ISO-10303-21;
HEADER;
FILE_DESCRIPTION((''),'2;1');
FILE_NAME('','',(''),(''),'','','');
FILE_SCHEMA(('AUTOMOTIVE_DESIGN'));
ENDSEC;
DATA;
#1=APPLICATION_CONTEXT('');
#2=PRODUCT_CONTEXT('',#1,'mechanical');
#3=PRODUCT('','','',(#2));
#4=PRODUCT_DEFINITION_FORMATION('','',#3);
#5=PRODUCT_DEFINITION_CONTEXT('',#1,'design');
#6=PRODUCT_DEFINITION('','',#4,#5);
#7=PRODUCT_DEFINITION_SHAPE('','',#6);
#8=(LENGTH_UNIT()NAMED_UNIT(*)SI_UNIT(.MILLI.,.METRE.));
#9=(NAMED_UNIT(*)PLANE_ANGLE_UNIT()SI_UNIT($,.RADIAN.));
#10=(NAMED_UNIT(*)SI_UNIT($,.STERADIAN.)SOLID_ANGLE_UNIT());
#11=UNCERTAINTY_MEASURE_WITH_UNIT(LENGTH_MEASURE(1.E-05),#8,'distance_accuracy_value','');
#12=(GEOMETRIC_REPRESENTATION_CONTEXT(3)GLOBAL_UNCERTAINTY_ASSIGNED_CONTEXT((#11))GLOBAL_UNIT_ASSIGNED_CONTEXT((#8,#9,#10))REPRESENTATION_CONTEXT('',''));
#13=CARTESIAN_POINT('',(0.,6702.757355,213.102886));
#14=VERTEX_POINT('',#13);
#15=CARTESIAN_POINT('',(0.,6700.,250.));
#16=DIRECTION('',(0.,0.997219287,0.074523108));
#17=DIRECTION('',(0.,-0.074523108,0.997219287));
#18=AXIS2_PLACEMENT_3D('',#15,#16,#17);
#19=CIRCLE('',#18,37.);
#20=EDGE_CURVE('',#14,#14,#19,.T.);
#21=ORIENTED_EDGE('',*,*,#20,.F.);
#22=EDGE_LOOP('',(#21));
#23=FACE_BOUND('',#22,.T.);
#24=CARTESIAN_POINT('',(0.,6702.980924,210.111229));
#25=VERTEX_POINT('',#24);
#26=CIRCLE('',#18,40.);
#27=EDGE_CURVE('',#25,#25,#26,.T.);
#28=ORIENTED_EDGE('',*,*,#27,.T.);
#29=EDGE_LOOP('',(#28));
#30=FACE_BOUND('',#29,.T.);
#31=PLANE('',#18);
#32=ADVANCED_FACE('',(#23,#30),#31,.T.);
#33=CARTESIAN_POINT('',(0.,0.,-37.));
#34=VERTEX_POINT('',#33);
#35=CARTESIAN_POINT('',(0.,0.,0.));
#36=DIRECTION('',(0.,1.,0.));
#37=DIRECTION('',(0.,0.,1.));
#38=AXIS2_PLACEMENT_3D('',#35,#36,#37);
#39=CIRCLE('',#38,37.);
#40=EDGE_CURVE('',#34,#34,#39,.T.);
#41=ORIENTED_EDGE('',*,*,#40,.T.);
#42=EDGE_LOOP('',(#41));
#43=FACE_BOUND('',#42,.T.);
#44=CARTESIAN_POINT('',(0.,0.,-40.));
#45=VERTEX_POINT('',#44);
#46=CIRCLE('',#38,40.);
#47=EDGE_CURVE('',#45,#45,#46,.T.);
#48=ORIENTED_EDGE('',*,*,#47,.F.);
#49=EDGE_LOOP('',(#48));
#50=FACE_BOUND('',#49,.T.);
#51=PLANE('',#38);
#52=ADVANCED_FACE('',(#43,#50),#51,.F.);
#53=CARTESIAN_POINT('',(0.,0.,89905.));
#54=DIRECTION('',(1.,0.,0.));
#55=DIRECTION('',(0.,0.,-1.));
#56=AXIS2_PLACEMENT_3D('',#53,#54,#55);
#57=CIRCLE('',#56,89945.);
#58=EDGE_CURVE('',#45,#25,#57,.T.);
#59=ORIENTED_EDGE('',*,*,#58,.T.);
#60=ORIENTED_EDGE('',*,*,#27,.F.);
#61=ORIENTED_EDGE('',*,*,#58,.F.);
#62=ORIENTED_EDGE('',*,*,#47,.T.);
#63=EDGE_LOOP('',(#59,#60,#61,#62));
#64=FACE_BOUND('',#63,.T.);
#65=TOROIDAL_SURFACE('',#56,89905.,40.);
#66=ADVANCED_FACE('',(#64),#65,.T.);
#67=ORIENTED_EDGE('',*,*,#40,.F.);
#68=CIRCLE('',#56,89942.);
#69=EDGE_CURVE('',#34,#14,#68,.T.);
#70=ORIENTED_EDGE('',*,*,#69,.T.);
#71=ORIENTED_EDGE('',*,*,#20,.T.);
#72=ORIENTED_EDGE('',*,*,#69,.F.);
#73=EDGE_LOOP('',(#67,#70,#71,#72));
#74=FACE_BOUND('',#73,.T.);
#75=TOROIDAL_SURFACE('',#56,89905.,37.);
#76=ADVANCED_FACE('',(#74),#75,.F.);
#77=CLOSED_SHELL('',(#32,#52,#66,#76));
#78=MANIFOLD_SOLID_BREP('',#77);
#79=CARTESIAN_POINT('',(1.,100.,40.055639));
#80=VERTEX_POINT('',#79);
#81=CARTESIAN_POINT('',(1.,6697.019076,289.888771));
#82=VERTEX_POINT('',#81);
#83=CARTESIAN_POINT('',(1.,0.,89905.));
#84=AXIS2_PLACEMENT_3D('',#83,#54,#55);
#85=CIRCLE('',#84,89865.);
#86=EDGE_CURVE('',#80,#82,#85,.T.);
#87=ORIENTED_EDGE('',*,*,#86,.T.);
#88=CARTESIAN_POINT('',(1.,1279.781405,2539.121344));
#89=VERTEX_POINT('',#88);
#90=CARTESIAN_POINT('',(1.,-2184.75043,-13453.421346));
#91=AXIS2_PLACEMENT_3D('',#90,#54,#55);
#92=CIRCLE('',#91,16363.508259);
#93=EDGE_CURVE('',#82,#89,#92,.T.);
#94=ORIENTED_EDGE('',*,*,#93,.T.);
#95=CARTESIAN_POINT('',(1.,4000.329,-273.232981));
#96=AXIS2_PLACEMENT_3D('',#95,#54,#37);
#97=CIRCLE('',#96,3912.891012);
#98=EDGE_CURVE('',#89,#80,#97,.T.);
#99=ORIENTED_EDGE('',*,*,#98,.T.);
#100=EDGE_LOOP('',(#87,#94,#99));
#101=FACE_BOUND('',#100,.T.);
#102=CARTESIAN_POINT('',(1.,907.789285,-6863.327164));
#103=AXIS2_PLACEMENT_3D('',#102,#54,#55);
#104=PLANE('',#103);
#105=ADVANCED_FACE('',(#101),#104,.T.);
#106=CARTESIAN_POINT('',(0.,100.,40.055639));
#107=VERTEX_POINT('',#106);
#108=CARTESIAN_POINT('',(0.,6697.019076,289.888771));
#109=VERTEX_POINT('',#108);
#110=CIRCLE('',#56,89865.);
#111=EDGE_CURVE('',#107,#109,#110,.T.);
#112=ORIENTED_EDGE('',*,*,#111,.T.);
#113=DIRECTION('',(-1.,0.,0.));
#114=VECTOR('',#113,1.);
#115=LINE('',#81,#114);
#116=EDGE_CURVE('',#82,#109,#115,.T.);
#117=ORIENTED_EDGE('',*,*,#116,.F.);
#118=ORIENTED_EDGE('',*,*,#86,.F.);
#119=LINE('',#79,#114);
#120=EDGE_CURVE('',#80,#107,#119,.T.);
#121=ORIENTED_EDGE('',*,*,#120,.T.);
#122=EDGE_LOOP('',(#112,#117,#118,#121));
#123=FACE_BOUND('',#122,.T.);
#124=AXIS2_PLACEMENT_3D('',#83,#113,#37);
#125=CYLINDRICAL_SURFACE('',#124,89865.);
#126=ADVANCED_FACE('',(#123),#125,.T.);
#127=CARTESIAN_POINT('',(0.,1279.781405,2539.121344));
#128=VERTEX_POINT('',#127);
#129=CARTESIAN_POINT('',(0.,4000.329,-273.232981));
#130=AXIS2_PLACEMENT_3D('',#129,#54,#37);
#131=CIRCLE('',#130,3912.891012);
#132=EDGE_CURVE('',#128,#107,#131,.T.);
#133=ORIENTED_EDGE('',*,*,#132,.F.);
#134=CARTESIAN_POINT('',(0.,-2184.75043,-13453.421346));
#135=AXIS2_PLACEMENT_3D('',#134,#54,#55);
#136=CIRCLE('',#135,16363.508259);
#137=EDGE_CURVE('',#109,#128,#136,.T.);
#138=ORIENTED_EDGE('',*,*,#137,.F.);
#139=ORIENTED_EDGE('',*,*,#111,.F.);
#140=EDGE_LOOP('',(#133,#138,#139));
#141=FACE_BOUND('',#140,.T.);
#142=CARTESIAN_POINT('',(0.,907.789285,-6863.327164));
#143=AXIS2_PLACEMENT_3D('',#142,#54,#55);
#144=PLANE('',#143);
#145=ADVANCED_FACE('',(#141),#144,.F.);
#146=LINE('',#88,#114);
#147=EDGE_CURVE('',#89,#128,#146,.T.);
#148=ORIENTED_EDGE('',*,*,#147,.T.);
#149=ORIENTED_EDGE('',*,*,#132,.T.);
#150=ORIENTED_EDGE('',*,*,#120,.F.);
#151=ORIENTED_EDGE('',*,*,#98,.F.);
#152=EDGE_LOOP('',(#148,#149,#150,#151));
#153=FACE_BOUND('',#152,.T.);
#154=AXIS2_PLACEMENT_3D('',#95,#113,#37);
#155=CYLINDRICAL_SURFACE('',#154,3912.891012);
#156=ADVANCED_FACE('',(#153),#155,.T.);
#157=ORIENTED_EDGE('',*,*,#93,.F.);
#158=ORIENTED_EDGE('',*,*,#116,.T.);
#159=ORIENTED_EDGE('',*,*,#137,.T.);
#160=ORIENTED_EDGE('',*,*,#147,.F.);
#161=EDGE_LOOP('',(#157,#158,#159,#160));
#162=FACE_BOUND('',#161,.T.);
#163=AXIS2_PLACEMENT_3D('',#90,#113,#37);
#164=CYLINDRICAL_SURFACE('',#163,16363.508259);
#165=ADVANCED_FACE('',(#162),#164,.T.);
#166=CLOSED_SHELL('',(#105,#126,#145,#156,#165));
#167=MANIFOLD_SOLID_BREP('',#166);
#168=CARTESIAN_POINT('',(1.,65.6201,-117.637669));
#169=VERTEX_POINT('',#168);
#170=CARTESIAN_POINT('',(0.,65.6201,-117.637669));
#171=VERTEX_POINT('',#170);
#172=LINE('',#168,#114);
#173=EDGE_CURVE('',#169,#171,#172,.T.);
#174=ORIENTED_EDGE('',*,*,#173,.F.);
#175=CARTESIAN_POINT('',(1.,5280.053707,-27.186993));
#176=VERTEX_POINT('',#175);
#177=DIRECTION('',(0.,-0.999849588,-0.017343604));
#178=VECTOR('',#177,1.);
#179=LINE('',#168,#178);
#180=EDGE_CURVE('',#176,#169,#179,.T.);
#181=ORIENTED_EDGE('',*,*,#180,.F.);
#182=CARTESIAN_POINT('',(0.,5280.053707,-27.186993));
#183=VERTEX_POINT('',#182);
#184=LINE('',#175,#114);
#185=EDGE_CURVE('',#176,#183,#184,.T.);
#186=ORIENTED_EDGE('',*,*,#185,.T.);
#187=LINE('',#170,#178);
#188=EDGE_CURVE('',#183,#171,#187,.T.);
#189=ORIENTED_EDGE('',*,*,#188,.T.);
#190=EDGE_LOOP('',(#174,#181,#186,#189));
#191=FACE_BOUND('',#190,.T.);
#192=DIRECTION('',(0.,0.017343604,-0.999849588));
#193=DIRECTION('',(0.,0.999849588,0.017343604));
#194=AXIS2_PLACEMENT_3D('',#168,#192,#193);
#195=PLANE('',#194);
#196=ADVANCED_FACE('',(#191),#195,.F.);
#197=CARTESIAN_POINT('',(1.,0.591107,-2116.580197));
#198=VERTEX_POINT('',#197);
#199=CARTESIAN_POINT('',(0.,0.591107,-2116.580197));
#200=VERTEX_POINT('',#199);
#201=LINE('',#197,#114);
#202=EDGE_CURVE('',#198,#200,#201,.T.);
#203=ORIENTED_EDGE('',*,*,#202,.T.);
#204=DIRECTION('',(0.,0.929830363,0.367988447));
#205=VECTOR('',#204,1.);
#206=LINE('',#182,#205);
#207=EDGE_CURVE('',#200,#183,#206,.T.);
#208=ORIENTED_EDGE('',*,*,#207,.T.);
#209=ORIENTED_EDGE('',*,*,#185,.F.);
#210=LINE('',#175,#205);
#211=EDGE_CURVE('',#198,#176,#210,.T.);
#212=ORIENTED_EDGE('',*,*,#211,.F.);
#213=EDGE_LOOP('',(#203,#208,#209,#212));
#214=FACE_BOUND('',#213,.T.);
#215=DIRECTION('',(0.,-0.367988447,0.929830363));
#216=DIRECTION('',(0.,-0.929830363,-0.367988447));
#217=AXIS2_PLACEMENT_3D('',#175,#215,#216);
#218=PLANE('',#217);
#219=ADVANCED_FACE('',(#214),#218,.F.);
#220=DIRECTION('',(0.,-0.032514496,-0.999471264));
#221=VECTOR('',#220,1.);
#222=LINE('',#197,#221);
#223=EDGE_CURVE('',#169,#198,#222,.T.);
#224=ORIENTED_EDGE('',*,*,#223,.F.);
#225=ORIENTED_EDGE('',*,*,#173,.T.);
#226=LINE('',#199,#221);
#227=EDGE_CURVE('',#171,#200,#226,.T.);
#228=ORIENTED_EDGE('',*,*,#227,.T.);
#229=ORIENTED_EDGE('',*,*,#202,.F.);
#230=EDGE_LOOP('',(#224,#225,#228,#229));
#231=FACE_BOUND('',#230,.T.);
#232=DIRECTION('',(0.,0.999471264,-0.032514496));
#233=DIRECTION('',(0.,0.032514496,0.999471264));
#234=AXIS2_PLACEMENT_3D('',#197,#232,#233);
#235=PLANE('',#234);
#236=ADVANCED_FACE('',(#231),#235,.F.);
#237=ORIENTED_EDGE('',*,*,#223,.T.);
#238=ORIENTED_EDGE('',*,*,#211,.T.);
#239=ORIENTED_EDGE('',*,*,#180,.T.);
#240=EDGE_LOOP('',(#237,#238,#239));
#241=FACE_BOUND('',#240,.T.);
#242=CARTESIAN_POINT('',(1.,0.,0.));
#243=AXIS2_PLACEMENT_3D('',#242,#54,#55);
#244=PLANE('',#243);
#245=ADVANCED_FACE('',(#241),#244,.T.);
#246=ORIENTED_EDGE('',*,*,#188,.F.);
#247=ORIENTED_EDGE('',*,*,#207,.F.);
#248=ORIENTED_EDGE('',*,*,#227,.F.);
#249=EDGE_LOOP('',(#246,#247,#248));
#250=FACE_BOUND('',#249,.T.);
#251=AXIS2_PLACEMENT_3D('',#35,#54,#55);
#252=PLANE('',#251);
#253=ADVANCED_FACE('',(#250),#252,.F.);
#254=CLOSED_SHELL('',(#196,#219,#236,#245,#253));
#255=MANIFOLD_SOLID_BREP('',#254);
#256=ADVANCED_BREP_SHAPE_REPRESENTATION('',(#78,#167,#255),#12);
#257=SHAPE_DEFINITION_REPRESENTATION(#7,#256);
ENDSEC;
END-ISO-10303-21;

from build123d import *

# Parameters (mm, degrees)
SKETCH_1_R        = 40
SKETCH_1_R_2      = 37
EXTRUDE_1_DEPTH   = 1
EXTRUDE_1_2_DEPTH = 1


with BuildPart() as part:
    # По траектории-Тонкостенный1: sweep along a path in Эскиз3
    with BuildLine(Plane(origin=(0, 0, 0), x_dir=(0, 0, -1), z_dir=(1, 0, 0))) as sweep_1_path:
        ThreePointArc((0, 0), (-62.521739436, 3352.331278379), (-250, 6700))
    # Эскиз1 → По траектории-Тонкостенный1 (sweep)
    with BuildSketch(Plane(origin=(0, 0, 0), x_dir=(1, 0, 0), z_dir=(0, 1, 0))):
        Circle(SKETCH_1_R)
        Circle(SKETCH_1_R_2, mode=Mode.SUBTRACT)
    sweep(path=sweep_1_path.line)


with BuildPart() as body_2:
    # Эскиз4 → Бобышка-Вытянуть1 (new body)
    with BuildSketch(Plane(origin=(0, 0, 0), x_dir=(0, 0, -1), z_dir=(1, 0, 0))):
        Polygon((27.186992612, 5280.053707105), (2116.58019703, 0.591107293), (117.637669058, 65.620099767), align=None)
    extrude(amount=EXTRUDE_1_DEPTH)


with BuildPart() as body_3:
    # Эскиз4 → Extrude 1 2 (new body)
    with BuildSketch(Plane(origin=(0, 0, 0), x_dir=(0, 0, -1), z_dir=(1, 0, 0))):
        with BuildLine():
            ThreePointArc((-40.055639031, 100), (-104.372197224, 3400.804497078), (-289.888771481, 6697.019075691))
            ThreePointArc((-289.888771481, 6697.019075691), (-1659.217455567, 4090.004624299), (-2539.121344337, 1279.781405166))
            ThreePointArc((-2539.121344337, 1279.781405166), (-1397.210671567, 461.92059075), (-40.055639031, 100))
        make_face()
    extrude(amount=EXTRUDE_1_2_DEPTH)


solid = Compound([part.part, body_2.part, body_3.part])
